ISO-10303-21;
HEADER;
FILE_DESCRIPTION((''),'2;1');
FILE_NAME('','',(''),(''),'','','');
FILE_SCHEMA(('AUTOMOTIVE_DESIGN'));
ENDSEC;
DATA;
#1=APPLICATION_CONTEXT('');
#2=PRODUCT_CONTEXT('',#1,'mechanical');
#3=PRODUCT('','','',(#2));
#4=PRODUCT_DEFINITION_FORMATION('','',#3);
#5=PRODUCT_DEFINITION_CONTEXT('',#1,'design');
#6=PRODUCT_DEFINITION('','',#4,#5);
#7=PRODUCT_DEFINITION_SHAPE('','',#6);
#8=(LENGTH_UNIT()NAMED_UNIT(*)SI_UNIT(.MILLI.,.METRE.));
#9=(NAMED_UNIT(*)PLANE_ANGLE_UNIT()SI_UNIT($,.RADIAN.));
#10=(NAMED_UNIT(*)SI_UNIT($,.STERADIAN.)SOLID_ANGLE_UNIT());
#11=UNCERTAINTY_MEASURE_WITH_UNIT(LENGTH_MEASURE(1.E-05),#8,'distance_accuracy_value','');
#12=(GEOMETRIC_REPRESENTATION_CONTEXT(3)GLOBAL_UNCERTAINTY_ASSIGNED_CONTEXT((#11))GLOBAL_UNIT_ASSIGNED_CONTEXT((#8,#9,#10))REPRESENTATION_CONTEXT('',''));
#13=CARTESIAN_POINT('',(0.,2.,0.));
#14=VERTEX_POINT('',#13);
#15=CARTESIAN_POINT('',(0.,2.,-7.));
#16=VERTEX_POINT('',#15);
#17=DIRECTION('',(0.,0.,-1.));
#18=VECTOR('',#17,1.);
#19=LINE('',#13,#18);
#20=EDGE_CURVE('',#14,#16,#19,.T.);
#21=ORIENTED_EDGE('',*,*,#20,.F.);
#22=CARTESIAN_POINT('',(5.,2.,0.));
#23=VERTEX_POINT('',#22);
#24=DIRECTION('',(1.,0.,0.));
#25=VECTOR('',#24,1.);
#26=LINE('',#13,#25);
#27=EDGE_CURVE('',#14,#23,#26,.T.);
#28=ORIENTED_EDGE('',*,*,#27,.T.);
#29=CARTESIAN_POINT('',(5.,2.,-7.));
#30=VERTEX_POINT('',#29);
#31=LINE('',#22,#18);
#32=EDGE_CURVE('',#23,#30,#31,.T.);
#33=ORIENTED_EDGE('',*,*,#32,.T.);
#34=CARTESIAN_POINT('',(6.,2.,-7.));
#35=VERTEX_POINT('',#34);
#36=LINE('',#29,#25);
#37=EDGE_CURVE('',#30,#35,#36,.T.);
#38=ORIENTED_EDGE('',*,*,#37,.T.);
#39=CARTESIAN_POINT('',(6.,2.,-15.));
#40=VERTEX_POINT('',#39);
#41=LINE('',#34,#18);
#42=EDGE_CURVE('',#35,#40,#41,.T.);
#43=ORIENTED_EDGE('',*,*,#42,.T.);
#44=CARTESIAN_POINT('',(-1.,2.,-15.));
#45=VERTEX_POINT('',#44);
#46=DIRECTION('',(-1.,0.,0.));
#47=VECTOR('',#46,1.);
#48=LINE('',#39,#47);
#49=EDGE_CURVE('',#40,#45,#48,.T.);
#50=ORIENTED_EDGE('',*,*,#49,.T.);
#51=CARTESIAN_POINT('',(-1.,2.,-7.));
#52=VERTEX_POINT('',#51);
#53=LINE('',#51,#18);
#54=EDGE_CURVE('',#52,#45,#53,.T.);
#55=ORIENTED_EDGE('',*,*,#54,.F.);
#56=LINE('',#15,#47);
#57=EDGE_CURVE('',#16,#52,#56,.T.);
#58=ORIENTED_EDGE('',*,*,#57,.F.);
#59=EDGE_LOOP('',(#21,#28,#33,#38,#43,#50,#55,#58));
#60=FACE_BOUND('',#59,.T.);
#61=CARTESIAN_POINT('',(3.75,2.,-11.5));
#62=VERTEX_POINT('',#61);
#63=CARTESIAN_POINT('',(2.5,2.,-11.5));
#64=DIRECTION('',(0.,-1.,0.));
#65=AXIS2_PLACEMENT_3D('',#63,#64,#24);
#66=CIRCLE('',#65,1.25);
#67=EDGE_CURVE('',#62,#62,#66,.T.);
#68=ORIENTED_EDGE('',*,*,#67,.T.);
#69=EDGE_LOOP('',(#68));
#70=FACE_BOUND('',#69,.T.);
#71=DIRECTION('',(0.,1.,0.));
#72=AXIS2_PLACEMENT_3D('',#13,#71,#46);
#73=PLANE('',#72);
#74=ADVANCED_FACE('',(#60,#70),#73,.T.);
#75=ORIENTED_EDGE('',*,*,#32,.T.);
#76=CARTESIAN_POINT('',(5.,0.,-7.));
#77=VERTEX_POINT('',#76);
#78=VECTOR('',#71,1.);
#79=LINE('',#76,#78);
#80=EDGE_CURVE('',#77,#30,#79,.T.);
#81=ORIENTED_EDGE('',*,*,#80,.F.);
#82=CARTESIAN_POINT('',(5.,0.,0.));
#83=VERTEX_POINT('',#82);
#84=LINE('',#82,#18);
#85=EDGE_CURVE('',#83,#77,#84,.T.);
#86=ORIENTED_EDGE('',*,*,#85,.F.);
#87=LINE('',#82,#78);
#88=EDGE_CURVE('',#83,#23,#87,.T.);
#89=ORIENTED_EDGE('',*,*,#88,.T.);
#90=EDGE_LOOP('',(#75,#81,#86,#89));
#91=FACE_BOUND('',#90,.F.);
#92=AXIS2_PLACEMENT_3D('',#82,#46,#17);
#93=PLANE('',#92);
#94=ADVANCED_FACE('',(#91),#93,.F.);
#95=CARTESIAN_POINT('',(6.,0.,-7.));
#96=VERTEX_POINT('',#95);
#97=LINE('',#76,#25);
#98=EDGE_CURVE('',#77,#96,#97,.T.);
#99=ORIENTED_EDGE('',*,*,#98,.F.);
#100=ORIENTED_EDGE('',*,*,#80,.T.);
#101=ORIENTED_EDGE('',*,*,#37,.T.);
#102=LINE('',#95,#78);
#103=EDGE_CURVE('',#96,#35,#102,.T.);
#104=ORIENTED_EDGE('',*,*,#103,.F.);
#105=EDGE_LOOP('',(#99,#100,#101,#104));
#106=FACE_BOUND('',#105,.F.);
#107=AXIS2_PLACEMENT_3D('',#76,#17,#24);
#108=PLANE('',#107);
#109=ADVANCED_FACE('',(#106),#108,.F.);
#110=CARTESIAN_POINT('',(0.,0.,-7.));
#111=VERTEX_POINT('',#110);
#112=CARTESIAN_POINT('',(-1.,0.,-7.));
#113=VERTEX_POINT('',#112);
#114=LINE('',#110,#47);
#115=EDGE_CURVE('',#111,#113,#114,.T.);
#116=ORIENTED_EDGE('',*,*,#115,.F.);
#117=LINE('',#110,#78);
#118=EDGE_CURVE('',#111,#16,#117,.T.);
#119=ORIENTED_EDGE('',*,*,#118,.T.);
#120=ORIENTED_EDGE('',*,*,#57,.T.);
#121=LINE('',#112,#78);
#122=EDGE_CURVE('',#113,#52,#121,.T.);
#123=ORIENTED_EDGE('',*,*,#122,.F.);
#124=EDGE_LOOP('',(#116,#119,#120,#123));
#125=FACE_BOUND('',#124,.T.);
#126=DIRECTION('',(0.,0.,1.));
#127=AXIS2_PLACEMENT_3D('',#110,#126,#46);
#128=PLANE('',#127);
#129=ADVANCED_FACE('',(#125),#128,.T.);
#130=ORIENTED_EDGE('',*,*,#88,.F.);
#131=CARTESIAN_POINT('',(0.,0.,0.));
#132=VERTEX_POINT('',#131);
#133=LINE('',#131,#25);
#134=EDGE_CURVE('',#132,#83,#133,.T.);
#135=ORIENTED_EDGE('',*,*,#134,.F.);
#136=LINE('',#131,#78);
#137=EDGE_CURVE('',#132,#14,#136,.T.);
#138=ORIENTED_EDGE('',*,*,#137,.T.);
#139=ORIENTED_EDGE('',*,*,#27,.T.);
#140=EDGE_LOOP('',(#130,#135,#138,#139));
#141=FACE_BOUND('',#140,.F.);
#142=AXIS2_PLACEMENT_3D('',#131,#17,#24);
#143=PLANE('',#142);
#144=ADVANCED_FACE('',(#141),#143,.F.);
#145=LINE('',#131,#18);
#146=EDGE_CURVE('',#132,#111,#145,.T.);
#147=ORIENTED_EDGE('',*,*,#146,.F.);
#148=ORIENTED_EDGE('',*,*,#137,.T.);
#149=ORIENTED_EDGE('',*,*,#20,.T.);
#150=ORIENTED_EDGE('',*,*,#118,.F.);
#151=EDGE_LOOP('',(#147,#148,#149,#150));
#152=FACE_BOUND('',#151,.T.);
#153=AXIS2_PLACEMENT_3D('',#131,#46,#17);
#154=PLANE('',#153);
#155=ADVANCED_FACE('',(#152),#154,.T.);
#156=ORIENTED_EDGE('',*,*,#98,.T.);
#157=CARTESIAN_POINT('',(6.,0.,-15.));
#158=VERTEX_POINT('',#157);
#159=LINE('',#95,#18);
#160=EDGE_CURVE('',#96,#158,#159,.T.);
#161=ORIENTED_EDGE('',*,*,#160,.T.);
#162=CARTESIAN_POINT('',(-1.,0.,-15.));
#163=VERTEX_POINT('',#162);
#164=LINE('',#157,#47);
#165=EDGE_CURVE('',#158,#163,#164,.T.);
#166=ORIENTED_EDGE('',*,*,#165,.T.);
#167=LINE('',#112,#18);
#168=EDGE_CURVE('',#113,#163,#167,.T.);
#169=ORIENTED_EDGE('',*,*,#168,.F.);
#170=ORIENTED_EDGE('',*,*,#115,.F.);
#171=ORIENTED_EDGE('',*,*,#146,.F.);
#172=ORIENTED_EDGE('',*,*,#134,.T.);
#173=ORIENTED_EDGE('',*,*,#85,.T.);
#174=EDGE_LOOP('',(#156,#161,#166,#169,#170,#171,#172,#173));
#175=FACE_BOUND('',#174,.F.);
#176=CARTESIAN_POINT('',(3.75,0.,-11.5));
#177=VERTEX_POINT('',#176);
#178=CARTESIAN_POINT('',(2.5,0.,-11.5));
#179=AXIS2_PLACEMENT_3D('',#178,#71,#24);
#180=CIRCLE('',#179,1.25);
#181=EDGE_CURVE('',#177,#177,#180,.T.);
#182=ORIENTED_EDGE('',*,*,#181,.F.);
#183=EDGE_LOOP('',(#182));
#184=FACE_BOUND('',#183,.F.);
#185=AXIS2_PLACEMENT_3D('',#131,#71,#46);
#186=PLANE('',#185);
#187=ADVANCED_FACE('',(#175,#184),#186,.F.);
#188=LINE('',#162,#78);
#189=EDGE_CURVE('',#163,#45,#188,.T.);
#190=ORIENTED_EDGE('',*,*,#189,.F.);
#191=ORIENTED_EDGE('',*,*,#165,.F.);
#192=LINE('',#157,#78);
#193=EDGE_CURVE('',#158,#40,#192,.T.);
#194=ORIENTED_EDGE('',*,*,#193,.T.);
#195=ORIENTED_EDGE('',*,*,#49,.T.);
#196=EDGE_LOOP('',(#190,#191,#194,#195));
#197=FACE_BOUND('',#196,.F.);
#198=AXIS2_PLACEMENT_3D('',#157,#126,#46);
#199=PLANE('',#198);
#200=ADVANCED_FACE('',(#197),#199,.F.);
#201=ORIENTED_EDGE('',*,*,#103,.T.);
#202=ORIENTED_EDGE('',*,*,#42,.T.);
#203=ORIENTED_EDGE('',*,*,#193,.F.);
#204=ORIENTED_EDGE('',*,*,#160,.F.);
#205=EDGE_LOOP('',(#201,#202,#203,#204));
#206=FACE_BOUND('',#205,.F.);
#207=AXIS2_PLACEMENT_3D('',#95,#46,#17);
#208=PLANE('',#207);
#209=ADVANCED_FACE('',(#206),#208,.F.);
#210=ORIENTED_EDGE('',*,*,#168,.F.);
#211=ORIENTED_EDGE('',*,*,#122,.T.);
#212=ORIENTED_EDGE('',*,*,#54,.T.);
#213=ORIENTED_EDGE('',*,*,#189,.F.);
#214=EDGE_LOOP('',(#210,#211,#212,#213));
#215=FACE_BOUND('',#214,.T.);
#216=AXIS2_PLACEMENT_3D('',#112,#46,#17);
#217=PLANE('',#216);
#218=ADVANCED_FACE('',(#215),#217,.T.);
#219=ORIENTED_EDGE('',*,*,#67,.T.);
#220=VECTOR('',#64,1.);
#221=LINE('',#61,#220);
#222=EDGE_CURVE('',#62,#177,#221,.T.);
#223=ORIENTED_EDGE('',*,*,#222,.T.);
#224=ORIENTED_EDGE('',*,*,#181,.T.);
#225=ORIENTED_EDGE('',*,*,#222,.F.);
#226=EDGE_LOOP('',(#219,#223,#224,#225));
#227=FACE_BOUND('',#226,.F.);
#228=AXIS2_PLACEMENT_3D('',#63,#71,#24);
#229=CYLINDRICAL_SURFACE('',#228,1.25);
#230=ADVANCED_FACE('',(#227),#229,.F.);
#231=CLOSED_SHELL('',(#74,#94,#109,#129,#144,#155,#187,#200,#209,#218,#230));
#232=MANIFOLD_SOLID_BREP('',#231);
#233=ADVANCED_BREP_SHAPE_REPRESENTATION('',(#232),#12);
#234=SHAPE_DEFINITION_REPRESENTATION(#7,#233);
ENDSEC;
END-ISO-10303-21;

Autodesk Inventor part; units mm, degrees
ref_plane "YZ Plane" through (0, 0, 0) normal (1, 0, 0) x (0, 1, 0)
ref_plane "XZ Plane" through (0, 0, 0) normal (0, 1, 0) x (-1, 0, 0)
ref_plane "XY Plane" through (0, 0, 0) normal (0, 0, 1) x (1, 0, 0)
sketch "Sketch3" plane through (0, 0, 0) normal (0, 1, 0) x (-1, 0, 0)
  line L0 (0, 0) -> (-5, 0)
  line L1 (-5, 0) -> (-5, -7)
  line L2 (0, 0) -> (0, -7)
  line L3 (0, -7) -> (1, -7)
  line L4 (1, -7) -> (1, -15)
  line L5 (-5, -7) -> (-6, -7)
  line L6 (-6, -7) -> (-6, -15)
  line L7 (-6, -15) -> (1, -15)
  dimension "d9" = 5
  dimension "d10" = 7
  dimension "d11" = 1
  dimension "d12" = 8
  dimension "d13" = 1
extrude "Extrusion3" add sketch "Sketch3" along normal blind 2
sketch "Sketch4" plane through (0, 2, 0) normal (0, 1, 0) x (1, 0, 0)
  line L0 (-1, 15) -> (-1, 7) projected
  line L1 (-1, 15) -> (2.5, 15)
  line L2 (6, 15) -> (-1, 15) projected
  line L3 (2.5, 15) -> (2.5, 11.5)
  circle A0 centre (2.5, 11.5) radius 1.25
  point P0 (0, 0)
  dimension "d16" = 3.5
  dimension "d17" = 3.5
  dimension "d18" = 2.5
extrude "Extrusion4" cut sketch "Sketch4" against normal blind 2
properties part number "HINGE A"
